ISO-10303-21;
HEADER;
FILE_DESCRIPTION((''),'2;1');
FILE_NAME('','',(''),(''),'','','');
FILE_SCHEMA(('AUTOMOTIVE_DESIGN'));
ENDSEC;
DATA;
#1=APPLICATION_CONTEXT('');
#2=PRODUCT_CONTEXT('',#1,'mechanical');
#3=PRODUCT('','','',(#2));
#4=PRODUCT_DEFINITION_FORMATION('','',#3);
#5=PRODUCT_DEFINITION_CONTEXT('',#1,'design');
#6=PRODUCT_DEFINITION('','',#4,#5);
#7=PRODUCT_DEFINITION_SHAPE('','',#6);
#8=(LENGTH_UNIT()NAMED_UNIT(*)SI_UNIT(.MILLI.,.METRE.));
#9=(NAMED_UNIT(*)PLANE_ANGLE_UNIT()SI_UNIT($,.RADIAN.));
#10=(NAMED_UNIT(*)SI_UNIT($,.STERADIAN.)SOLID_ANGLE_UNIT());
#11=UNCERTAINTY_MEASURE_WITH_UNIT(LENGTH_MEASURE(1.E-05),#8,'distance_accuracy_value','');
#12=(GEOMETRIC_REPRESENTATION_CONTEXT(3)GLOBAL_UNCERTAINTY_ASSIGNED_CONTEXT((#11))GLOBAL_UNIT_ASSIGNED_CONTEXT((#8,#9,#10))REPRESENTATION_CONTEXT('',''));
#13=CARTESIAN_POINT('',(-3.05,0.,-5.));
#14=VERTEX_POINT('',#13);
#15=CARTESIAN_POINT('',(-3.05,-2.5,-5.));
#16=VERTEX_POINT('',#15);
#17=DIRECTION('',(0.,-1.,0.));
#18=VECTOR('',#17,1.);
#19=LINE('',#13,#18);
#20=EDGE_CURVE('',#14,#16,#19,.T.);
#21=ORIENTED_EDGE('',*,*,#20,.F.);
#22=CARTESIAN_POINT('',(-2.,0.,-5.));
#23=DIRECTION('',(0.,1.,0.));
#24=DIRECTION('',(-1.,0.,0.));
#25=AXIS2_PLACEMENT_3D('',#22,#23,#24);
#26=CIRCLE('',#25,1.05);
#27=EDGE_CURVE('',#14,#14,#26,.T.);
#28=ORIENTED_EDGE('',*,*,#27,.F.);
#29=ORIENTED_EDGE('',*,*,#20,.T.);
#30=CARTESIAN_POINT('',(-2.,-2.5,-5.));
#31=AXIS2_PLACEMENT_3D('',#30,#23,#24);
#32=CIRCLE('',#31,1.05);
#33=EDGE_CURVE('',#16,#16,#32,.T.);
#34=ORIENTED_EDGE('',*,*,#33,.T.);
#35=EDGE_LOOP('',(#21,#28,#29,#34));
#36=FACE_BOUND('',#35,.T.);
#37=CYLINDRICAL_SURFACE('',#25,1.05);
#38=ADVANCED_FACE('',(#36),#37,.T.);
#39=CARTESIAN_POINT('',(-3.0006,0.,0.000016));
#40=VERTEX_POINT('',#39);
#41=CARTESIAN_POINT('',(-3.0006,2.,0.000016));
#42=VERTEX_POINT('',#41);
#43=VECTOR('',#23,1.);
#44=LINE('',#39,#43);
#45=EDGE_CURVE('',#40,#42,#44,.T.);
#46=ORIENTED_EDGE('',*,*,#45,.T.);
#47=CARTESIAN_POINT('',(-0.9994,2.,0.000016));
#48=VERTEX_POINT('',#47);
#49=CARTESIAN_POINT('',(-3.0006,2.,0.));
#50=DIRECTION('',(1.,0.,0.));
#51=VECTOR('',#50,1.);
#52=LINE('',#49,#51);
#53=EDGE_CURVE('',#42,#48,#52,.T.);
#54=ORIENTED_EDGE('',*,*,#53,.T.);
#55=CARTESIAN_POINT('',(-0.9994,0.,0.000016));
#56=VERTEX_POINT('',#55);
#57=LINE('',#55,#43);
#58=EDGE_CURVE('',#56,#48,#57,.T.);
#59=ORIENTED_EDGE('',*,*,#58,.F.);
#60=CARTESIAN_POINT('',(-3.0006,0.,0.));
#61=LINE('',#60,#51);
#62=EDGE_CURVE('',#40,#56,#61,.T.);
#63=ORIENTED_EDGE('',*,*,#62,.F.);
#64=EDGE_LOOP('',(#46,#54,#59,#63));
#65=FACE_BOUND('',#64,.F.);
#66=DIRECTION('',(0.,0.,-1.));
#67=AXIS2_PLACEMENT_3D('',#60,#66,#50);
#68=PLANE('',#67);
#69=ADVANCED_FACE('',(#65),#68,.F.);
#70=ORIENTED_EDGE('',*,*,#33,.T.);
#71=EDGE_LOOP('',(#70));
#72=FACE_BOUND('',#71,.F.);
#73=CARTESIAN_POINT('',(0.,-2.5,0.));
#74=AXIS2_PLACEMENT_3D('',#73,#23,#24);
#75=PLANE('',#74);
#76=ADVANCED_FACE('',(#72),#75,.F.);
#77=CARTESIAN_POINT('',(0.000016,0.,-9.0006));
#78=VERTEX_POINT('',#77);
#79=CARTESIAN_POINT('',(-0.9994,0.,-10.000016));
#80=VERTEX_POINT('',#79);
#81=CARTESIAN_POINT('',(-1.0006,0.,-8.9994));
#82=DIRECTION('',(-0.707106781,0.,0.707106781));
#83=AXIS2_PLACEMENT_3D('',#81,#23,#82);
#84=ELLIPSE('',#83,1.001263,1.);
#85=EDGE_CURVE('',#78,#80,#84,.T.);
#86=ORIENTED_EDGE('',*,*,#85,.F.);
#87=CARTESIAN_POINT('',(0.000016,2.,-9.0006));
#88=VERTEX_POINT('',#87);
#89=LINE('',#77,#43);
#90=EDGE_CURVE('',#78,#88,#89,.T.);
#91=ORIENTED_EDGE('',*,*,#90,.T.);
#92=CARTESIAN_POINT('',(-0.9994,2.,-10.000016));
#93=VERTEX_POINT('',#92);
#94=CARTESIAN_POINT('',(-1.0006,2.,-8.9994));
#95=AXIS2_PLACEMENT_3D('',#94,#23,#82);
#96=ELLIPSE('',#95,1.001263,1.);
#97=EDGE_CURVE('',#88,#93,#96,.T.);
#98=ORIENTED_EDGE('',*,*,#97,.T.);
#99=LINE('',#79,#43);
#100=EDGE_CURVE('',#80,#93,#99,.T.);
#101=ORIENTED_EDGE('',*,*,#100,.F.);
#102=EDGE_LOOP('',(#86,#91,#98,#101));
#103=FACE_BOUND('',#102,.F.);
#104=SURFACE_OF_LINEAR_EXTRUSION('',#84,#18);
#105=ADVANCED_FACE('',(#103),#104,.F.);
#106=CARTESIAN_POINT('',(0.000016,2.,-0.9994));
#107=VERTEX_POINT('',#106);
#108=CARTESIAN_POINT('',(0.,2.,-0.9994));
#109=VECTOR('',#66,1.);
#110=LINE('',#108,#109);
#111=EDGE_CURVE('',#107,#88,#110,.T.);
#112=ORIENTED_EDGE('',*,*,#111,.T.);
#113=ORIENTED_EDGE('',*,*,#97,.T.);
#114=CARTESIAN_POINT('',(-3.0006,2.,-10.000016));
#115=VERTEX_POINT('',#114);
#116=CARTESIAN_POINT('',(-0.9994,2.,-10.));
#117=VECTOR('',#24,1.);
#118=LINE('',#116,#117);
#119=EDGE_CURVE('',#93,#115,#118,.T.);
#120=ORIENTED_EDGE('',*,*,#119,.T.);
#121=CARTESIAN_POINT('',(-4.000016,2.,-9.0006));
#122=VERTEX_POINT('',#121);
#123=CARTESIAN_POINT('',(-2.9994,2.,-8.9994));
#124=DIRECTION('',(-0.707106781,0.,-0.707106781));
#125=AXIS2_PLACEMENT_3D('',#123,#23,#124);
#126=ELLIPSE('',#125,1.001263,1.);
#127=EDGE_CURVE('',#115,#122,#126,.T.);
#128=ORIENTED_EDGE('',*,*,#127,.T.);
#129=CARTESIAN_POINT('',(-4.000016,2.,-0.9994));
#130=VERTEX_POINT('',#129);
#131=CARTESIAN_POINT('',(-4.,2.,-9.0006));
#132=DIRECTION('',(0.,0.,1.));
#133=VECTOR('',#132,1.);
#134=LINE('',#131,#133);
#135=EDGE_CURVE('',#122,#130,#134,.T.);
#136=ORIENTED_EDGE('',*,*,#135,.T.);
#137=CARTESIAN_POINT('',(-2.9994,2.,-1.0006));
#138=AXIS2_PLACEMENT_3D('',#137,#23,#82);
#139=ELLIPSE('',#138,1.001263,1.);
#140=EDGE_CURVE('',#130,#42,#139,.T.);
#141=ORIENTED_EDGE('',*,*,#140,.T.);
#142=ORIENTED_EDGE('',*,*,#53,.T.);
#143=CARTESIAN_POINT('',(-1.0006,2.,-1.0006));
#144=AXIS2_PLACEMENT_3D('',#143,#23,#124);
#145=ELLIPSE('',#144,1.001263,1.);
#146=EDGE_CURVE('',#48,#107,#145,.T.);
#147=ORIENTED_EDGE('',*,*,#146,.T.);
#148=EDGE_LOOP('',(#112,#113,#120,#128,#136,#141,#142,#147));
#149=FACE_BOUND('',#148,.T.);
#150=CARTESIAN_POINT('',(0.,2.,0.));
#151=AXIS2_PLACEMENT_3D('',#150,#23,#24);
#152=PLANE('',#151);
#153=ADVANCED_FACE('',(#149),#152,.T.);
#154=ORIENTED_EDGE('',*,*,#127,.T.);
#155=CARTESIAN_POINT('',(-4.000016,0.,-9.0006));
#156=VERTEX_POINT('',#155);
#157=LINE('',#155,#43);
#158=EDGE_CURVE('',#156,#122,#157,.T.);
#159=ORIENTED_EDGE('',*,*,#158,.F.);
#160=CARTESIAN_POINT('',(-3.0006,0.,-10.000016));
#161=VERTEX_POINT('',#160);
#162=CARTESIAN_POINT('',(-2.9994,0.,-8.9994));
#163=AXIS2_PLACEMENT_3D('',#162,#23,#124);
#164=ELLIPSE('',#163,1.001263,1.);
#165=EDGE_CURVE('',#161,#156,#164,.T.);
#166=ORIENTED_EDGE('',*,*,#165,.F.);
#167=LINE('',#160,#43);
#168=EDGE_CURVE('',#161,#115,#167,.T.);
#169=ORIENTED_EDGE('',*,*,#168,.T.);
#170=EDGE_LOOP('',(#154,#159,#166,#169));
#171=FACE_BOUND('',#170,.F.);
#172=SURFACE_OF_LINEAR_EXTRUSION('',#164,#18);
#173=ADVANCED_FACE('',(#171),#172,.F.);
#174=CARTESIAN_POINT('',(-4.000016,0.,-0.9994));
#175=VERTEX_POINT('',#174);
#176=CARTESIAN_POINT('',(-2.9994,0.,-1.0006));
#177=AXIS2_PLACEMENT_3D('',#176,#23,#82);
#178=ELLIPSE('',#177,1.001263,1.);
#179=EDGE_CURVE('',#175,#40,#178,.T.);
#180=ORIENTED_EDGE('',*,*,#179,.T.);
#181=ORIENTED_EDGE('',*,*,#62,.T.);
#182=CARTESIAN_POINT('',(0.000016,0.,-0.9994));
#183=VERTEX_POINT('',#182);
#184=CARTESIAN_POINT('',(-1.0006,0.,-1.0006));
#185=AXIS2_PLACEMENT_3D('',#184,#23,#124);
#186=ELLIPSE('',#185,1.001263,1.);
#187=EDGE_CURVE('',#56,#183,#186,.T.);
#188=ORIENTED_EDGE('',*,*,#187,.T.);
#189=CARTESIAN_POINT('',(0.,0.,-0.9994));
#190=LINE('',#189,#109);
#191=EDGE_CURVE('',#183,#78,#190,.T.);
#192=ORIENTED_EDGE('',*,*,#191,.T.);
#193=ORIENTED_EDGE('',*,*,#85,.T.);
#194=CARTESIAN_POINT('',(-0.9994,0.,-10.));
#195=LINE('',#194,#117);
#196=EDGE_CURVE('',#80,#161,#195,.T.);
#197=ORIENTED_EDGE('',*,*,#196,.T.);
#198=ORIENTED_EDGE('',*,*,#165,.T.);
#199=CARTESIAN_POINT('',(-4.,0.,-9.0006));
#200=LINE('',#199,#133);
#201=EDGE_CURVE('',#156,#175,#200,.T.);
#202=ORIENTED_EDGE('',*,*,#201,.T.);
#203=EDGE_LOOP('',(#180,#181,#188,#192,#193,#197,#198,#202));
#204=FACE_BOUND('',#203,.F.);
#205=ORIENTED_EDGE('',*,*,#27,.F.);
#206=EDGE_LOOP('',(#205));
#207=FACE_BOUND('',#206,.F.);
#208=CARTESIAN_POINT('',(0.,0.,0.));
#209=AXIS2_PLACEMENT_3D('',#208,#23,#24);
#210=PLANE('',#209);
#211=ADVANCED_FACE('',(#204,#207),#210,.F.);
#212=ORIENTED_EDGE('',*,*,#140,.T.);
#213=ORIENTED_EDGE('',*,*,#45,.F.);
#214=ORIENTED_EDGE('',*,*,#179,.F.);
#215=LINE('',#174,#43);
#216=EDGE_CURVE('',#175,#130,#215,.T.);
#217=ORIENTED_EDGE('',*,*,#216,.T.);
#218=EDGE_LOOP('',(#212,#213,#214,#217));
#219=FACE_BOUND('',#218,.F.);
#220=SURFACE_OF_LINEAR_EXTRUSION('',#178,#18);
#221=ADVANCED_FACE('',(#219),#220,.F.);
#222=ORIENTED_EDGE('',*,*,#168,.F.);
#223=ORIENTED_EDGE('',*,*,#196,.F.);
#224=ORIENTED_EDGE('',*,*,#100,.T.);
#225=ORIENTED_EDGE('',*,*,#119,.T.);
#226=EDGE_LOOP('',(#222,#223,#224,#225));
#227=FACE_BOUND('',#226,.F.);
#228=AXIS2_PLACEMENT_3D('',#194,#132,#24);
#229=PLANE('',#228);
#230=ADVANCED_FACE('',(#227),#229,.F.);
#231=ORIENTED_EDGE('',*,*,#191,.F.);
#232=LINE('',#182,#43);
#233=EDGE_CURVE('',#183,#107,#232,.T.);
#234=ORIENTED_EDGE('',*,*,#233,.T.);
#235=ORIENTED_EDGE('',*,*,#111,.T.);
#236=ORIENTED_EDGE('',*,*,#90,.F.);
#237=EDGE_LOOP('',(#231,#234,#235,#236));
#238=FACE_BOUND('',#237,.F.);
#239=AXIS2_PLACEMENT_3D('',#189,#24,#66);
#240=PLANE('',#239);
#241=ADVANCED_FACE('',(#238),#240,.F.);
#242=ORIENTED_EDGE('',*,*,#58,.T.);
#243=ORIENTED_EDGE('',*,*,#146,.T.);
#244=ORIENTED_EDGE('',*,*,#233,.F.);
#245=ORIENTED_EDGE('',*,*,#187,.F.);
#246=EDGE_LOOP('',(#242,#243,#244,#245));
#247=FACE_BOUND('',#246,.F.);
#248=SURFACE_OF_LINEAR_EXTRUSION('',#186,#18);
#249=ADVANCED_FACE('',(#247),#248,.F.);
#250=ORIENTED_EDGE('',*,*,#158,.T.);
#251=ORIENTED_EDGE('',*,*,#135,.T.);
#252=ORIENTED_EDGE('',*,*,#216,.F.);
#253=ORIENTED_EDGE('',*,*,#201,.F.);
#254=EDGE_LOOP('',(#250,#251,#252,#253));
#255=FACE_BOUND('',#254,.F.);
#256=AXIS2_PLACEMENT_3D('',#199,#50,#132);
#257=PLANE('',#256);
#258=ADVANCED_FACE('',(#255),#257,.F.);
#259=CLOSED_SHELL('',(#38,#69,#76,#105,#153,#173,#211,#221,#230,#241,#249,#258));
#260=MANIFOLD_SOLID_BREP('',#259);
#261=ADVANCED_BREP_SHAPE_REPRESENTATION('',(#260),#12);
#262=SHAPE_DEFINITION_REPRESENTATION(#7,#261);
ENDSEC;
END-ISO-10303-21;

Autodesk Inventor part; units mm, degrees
ref_plane "YZ Plane" through (0, 0, 0) normal (1, 0, 0) x (0, 1, 0)
ref_plane "XZ Plane" through (0, 0, 0) normal (0, 1, 0) x (-1, 0, 0)
ref_plane "XY Plane" through (0, 0, 0) normal (0, 0, 1) x (1, 0, 0)
sketch "Sketch1" plane through (0, 0, 0) normal (0, 1, 0) x (-1, 0, 0)
  line L0 (0.9994, -10) -> (3.0006, -10)
  ellipse E0 centre (2.9994, -8.9994) end of major axis (3.7074, -9.7074) minor radius 1 (3.0006, -10) -> (4, -9.0006) ccw
  line L1 (4, -9.0006) -> (4, -0.9994)
  ellipse E1 centre (2.9994, -1.0006) end of major axis (3.7074, -0.2926) minor radius 1 (4, -0.9994) -> (3.0006, 0) ccw
  line L2 (3.0006, 0) -> (0.9994, 0)
  ellipse E2 centre (1.0006, -1.0006) end of major axis (1.7086, -1.7086) minor radius 1 (0.9994, 0) -> (0, -0.9994) ccw
  line L3 (0, -0.9994) -> (0, -9.0006)
  ellipse E3 centre (1.0006, -8.9994) end of major axis (1.7086, -8.2914) minor radius 1 (0, -9.0006) -> (0.9994, -10) ccw
  circle A0 centre (2, -5) radius 1.75
  circle A1 centre (2, -5) radius 1.25
  line L4 (0, 0) -> (4, 0)
  line L5 (4, 0) -> (4, -10)
  line L6 (4, -10) -> (0, -10)
  line L7 (0, -10) -> (0, 0)
  circle A2 centre (2, -5) radius 1.05
  point P0 (0, -5)
  dimension "d3" = 1
  dimension "d7" = 1.0013
  dimension "d0" = 2.5
  dimension "d1" = 4
  dimension "d2" = 10
  dimension "d4" = 2
  dimension "d5" = 3.5
  dimension "d13" = 5
  dimension "d20" = 0.2
extrude "Extrusion1" add sketch "Sketch1" along normal blind 2 contours E3 L3 E2 L2 E1 L1 E0 L0 | A0 | A1 | A2
extrude "Extrusion2" add sketch "Sketch1" against normal blind 2.5 contours A2
properties part number "flipper_robot_v1_flipper_adapter"
